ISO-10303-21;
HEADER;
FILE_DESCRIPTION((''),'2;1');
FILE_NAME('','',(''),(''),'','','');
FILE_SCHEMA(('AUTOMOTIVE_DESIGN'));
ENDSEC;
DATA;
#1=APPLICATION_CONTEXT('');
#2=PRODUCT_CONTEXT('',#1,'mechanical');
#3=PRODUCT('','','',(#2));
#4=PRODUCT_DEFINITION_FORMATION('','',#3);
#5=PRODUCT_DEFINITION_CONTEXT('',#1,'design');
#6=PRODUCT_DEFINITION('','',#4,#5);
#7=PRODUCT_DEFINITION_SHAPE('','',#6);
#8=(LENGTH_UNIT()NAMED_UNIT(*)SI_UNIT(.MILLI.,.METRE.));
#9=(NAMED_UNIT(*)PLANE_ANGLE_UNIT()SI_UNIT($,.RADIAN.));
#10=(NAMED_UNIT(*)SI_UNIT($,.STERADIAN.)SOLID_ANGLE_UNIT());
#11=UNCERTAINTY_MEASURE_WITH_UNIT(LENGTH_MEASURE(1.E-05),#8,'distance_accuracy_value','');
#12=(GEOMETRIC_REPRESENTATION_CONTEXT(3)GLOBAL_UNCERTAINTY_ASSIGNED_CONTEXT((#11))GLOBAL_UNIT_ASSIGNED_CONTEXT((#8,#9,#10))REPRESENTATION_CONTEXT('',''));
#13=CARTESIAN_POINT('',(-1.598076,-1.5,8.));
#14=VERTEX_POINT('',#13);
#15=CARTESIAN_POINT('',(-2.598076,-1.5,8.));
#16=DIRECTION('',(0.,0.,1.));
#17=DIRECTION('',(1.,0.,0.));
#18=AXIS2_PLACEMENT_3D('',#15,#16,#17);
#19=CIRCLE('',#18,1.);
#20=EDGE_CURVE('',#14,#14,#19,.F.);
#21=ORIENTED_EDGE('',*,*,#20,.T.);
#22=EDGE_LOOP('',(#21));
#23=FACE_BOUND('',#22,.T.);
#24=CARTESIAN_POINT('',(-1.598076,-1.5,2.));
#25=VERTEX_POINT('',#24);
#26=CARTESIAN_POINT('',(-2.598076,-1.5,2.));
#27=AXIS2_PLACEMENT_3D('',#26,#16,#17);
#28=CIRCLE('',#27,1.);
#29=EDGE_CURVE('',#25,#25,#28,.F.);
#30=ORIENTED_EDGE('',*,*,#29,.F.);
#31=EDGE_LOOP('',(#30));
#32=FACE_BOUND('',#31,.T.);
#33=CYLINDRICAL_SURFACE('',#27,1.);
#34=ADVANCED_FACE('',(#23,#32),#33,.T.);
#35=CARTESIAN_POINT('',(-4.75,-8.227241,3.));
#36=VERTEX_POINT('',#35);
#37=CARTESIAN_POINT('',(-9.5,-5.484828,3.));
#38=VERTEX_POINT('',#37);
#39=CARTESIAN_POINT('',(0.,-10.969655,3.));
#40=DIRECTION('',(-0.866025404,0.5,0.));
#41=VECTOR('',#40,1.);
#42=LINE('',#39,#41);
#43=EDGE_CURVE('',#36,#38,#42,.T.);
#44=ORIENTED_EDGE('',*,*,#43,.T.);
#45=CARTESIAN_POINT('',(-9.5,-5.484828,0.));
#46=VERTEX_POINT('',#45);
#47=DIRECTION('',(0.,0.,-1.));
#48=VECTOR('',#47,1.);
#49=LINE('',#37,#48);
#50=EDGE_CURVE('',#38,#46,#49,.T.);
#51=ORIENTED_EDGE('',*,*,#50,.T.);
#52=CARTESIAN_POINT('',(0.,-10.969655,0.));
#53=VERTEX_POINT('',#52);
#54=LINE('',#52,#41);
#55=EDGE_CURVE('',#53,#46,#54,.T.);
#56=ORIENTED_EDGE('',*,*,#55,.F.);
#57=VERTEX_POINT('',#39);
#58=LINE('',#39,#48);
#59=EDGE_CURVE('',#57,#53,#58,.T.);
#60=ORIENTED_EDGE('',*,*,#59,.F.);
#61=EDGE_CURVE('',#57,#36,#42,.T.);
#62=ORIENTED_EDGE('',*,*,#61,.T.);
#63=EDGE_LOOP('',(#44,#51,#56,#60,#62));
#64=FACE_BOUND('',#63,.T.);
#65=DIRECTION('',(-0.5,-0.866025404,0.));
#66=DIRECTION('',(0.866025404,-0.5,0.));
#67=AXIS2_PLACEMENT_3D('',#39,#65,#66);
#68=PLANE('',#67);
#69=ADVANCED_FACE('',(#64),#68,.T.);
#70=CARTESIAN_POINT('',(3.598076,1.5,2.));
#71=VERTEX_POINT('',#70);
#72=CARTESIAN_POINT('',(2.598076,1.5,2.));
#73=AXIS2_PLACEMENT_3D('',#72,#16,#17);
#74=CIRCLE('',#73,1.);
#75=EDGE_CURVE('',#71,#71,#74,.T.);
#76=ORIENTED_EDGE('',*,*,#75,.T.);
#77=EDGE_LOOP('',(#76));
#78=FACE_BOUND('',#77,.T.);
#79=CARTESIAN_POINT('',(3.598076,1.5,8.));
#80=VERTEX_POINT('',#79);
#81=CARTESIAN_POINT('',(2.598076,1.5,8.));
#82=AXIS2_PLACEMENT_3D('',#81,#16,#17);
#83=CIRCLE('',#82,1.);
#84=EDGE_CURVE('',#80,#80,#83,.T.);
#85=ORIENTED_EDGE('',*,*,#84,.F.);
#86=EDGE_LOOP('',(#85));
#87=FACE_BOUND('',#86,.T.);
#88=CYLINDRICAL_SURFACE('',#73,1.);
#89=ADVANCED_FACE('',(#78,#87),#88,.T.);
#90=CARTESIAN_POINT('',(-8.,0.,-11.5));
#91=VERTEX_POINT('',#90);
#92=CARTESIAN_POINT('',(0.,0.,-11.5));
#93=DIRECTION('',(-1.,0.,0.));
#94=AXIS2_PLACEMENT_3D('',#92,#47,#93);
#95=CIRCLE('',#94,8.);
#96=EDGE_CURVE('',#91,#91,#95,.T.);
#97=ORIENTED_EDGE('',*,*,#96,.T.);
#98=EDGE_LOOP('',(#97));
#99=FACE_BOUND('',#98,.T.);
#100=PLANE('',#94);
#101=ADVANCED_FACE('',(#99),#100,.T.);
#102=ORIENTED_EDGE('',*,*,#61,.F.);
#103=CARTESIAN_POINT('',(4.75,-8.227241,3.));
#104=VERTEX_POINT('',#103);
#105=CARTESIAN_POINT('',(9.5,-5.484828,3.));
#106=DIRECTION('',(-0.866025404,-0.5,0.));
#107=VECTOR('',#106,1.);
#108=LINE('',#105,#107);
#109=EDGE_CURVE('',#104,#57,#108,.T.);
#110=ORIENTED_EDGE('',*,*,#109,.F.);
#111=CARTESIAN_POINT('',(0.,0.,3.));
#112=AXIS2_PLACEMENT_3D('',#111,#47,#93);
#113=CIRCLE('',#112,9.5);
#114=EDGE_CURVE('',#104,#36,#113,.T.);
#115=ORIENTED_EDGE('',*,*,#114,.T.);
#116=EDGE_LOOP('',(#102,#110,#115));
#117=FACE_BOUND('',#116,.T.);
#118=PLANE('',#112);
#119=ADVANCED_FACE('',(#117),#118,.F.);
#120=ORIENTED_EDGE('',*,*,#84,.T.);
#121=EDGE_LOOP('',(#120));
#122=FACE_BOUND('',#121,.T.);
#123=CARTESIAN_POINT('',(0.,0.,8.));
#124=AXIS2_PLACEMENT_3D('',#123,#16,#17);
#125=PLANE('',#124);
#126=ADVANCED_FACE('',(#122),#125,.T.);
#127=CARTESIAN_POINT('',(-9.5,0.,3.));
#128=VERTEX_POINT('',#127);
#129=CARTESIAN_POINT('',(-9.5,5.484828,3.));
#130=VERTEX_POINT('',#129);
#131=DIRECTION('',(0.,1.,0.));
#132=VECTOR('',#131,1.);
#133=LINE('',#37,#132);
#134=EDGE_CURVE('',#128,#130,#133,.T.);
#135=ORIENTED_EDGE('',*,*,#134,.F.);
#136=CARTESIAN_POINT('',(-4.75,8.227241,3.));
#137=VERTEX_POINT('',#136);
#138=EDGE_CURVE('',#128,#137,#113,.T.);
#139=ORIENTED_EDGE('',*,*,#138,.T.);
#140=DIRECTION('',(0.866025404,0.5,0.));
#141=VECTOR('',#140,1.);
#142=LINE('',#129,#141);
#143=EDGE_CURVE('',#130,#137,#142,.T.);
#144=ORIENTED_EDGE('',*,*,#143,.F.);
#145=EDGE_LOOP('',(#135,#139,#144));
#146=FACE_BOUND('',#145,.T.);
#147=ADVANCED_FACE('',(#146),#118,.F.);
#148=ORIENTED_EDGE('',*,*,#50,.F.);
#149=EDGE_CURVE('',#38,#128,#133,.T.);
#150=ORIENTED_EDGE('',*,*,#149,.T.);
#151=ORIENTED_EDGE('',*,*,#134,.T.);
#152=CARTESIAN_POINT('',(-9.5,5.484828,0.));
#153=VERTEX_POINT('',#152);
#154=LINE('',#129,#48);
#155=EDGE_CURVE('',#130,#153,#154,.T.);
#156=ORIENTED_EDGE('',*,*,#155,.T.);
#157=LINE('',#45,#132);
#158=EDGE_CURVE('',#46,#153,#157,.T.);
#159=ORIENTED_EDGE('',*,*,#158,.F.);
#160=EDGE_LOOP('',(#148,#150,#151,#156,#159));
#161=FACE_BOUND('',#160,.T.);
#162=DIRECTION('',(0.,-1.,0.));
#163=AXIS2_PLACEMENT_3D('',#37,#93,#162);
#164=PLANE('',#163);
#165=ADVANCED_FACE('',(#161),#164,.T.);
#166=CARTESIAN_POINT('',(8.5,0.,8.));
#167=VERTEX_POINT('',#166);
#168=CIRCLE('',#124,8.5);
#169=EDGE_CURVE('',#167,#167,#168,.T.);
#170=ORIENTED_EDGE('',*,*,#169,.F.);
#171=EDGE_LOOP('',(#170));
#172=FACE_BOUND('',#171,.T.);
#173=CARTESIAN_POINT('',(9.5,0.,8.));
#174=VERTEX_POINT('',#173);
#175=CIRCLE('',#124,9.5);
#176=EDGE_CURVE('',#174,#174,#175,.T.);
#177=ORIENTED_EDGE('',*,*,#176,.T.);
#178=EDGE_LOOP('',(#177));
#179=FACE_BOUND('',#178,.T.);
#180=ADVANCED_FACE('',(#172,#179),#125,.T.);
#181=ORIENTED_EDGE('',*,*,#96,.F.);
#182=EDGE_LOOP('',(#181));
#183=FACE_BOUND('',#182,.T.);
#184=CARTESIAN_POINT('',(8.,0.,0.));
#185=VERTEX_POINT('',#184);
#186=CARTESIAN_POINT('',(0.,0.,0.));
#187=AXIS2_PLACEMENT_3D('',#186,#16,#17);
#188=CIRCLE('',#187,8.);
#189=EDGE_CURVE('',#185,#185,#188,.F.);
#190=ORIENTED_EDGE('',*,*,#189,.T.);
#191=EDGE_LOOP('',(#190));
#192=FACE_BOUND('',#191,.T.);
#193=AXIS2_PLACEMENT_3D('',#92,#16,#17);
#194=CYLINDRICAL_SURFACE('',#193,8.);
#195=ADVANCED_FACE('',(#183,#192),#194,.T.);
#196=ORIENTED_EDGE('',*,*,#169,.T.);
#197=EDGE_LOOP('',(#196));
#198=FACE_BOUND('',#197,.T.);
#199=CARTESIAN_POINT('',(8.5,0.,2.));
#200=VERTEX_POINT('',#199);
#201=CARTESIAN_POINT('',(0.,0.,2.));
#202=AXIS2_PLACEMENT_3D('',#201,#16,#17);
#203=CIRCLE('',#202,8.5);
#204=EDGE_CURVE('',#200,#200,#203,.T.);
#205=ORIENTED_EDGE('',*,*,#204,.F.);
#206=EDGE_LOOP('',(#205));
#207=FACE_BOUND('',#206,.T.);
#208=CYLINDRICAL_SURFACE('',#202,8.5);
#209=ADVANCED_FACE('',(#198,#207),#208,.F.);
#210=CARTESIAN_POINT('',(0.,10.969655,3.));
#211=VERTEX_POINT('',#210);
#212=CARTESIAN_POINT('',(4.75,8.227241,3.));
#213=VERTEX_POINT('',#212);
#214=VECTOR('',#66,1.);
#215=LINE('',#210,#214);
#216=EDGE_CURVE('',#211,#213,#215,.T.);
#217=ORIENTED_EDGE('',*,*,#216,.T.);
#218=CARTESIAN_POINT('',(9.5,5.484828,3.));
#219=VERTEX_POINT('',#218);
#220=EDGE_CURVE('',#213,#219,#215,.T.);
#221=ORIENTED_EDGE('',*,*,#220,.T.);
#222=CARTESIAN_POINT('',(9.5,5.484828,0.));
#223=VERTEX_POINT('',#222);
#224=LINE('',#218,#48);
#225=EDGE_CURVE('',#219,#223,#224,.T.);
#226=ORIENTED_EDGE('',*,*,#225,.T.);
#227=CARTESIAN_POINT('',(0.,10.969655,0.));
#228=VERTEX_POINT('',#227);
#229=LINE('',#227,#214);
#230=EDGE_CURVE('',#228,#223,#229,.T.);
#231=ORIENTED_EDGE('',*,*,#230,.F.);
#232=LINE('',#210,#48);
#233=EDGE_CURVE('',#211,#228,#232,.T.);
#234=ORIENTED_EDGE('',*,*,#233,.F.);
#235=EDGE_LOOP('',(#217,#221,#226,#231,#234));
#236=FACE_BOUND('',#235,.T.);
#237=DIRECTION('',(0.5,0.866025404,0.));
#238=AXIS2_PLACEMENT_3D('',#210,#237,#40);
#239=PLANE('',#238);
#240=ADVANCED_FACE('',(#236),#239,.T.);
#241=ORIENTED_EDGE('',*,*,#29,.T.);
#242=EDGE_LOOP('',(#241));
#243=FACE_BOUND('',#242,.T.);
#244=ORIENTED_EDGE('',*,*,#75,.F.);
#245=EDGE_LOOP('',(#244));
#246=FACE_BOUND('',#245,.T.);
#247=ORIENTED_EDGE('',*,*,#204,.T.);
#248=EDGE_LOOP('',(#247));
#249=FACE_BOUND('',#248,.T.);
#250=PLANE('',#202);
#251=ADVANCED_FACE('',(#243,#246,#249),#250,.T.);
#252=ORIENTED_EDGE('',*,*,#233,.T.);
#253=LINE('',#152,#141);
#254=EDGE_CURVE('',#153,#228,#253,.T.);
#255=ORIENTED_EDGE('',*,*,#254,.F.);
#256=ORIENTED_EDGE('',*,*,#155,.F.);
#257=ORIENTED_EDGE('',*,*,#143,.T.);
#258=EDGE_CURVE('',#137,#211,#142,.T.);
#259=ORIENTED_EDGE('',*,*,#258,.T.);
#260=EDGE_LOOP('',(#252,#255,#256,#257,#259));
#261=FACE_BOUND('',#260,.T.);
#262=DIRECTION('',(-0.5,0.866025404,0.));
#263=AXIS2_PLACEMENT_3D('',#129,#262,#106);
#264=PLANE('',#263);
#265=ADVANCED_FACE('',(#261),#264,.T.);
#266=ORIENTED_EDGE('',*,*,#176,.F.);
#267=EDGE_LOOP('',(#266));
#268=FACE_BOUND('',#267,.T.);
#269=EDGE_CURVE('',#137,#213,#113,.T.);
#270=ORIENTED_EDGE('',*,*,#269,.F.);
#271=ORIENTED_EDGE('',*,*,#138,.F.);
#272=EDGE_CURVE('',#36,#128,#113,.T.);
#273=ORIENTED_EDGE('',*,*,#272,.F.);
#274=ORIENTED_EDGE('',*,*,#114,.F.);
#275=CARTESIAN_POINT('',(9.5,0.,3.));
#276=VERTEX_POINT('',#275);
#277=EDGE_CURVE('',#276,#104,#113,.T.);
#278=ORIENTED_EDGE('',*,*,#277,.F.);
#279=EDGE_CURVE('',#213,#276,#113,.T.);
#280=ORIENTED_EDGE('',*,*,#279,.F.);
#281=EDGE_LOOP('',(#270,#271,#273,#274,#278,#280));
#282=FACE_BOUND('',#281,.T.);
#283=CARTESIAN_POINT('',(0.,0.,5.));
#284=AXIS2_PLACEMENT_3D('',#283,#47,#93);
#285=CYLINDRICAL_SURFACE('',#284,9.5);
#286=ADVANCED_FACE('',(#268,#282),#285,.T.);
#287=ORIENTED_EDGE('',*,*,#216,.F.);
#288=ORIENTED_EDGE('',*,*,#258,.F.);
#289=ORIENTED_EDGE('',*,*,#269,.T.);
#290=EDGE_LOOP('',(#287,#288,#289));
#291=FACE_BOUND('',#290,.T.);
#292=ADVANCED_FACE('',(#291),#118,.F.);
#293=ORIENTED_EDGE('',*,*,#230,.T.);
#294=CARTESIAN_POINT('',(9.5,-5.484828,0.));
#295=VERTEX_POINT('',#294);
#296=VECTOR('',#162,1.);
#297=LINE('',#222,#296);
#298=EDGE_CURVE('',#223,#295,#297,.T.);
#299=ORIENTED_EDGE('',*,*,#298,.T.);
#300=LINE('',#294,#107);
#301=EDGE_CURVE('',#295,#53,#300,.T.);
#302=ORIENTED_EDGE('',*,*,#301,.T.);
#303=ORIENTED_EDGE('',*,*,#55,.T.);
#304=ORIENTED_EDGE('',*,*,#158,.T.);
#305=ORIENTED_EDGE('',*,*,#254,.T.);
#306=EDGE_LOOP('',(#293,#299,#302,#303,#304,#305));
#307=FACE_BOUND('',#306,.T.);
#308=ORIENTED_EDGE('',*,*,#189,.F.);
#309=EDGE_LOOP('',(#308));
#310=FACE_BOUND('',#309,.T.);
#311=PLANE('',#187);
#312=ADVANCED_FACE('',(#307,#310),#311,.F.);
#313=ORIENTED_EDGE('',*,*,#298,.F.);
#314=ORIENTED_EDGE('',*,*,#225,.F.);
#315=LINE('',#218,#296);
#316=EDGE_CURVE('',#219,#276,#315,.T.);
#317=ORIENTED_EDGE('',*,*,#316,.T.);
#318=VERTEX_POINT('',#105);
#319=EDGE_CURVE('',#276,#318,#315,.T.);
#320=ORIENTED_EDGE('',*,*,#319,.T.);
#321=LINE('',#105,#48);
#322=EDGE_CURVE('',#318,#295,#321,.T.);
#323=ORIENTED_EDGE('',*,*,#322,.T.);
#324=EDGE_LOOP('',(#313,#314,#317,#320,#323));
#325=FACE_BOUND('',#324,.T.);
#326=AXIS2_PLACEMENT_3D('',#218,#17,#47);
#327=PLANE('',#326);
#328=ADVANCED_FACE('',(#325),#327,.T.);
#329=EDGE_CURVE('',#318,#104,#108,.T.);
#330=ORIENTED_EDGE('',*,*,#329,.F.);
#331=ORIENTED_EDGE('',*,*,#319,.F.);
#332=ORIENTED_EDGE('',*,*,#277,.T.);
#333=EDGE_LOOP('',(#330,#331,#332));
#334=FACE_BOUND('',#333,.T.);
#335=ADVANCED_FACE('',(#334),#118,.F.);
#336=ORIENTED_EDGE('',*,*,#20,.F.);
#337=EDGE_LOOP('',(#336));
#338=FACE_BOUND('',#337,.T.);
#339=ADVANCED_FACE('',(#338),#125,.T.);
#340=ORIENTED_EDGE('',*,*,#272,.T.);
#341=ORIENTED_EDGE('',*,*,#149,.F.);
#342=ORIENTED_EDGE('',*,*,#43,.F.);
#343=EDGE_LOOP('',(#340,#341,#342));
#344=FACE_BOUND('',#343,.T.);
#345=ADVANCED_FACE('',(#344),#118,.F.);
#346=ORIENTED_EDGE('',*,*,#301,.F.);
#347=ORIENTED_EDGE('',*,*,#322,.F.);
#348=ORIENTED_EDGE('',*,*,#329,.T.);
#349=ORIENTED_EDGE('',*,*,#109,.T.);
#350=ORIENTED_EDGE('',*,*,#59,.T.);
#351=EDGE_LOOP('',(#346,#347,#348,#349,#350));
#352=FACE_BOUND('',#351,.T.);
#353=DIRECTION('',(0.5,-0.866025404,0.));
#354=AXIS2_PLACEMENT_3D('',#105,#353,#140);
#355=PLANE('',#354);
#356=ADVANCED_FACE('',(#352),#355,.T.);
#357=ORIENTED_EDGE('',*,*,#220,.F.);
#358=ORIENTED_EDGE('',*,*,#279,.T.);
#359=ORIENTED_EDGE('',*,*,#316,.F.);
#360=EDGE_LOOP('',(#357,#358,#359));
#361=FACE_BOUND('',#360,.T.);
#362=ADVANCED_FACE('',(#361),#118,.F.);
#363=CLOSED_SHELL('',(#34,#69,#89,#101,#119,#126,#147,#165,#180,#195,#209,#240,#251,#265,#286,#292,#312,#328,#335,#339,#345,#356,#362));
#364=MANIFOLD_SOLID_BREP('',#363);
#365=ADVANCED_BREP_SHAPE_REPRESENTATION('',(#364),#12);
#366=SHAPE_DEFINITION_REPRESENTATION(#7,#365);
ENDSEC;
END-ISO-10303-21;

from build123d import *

# Parameters (mm, degrees)
SKETCH_1_R          = 9.5
EXTRUDE_1_DEPTH     = 5
SKETCH_2_R          = 8
EXTRUDE_2_DEPTH     = 11.5
EXTRUDE_3_DEPTH     = 3
SKETCH_4_R          = 9.5
EXTRUDE_4_DEPTH     = 3
SKETCH_5_R          = 8.5
SKETCH_5_R_2        = 1
CUT_EXTRUDE_2_DEPTH = 6


with BuildPart() as part:
    # 草图1 → 凸台-拉伸1 (new body)
    with BuildSketch(Plane.XY):
        Circle(SKETCH_1_R)
    extrude(amount=EXTRUDE_1_DEPTH)

    # 草图2 → 凸台-拉伸2 (add)
    with BuildSketch(Plane(origin=(0, 0, 0), x_dir=(-1, 0, 0), z_dir=(0, 0, -1))):
        with Locations(Location((0, 0, 0), (0, 0, 180))):
            Circle(SKETCH_2_R)
    extrude(amount=EXTRUDE_2_DEPTH)

    # 草图3 → 凸台-拉伸3 (add)
    with BuildSketch(Plane(origin=(0, 0, 0), x_dir=(-1, 0, 0), z_dir=(0, 0, -1))):
        Polygon((0, 10.969655115), (-9.5, 5.484827557), (-9.5, -5.484827557), (0, -10.969655115), (9.5, -5.484827557), (9.5, 5.484827557), align=None)
    extrude(amount=-EXTRUDE_3_DEPTH)

    # 草图4 → 凸台-拉伸4 (add)
    with BuildSketch(Plane.XY.offset(5)):
        Circle(SKETCH_4_R)
    extrude(amount=EXTRUDE_4_DEPTH)

    # 草图5 → 切除-拉伸2 (cut)
    with BuildSketch(Plane.XY.offset(8)):
        Circle(SKETCH_5_R)
        with Locations((2.598076211, 1.5)):
            Circle(SKETCH_5_R_2, mode=Mode.SUBTRACT)
        with Locations((-2.598076211, -1.5)):
            Circle(SKETCH_5_R_2, mode=Mode.SUBTRACT)
    extrude(amount=-CUT_EXTRUDE_2_DEPTH, mode=Mode.SUBTRACT)


solid = part.part
